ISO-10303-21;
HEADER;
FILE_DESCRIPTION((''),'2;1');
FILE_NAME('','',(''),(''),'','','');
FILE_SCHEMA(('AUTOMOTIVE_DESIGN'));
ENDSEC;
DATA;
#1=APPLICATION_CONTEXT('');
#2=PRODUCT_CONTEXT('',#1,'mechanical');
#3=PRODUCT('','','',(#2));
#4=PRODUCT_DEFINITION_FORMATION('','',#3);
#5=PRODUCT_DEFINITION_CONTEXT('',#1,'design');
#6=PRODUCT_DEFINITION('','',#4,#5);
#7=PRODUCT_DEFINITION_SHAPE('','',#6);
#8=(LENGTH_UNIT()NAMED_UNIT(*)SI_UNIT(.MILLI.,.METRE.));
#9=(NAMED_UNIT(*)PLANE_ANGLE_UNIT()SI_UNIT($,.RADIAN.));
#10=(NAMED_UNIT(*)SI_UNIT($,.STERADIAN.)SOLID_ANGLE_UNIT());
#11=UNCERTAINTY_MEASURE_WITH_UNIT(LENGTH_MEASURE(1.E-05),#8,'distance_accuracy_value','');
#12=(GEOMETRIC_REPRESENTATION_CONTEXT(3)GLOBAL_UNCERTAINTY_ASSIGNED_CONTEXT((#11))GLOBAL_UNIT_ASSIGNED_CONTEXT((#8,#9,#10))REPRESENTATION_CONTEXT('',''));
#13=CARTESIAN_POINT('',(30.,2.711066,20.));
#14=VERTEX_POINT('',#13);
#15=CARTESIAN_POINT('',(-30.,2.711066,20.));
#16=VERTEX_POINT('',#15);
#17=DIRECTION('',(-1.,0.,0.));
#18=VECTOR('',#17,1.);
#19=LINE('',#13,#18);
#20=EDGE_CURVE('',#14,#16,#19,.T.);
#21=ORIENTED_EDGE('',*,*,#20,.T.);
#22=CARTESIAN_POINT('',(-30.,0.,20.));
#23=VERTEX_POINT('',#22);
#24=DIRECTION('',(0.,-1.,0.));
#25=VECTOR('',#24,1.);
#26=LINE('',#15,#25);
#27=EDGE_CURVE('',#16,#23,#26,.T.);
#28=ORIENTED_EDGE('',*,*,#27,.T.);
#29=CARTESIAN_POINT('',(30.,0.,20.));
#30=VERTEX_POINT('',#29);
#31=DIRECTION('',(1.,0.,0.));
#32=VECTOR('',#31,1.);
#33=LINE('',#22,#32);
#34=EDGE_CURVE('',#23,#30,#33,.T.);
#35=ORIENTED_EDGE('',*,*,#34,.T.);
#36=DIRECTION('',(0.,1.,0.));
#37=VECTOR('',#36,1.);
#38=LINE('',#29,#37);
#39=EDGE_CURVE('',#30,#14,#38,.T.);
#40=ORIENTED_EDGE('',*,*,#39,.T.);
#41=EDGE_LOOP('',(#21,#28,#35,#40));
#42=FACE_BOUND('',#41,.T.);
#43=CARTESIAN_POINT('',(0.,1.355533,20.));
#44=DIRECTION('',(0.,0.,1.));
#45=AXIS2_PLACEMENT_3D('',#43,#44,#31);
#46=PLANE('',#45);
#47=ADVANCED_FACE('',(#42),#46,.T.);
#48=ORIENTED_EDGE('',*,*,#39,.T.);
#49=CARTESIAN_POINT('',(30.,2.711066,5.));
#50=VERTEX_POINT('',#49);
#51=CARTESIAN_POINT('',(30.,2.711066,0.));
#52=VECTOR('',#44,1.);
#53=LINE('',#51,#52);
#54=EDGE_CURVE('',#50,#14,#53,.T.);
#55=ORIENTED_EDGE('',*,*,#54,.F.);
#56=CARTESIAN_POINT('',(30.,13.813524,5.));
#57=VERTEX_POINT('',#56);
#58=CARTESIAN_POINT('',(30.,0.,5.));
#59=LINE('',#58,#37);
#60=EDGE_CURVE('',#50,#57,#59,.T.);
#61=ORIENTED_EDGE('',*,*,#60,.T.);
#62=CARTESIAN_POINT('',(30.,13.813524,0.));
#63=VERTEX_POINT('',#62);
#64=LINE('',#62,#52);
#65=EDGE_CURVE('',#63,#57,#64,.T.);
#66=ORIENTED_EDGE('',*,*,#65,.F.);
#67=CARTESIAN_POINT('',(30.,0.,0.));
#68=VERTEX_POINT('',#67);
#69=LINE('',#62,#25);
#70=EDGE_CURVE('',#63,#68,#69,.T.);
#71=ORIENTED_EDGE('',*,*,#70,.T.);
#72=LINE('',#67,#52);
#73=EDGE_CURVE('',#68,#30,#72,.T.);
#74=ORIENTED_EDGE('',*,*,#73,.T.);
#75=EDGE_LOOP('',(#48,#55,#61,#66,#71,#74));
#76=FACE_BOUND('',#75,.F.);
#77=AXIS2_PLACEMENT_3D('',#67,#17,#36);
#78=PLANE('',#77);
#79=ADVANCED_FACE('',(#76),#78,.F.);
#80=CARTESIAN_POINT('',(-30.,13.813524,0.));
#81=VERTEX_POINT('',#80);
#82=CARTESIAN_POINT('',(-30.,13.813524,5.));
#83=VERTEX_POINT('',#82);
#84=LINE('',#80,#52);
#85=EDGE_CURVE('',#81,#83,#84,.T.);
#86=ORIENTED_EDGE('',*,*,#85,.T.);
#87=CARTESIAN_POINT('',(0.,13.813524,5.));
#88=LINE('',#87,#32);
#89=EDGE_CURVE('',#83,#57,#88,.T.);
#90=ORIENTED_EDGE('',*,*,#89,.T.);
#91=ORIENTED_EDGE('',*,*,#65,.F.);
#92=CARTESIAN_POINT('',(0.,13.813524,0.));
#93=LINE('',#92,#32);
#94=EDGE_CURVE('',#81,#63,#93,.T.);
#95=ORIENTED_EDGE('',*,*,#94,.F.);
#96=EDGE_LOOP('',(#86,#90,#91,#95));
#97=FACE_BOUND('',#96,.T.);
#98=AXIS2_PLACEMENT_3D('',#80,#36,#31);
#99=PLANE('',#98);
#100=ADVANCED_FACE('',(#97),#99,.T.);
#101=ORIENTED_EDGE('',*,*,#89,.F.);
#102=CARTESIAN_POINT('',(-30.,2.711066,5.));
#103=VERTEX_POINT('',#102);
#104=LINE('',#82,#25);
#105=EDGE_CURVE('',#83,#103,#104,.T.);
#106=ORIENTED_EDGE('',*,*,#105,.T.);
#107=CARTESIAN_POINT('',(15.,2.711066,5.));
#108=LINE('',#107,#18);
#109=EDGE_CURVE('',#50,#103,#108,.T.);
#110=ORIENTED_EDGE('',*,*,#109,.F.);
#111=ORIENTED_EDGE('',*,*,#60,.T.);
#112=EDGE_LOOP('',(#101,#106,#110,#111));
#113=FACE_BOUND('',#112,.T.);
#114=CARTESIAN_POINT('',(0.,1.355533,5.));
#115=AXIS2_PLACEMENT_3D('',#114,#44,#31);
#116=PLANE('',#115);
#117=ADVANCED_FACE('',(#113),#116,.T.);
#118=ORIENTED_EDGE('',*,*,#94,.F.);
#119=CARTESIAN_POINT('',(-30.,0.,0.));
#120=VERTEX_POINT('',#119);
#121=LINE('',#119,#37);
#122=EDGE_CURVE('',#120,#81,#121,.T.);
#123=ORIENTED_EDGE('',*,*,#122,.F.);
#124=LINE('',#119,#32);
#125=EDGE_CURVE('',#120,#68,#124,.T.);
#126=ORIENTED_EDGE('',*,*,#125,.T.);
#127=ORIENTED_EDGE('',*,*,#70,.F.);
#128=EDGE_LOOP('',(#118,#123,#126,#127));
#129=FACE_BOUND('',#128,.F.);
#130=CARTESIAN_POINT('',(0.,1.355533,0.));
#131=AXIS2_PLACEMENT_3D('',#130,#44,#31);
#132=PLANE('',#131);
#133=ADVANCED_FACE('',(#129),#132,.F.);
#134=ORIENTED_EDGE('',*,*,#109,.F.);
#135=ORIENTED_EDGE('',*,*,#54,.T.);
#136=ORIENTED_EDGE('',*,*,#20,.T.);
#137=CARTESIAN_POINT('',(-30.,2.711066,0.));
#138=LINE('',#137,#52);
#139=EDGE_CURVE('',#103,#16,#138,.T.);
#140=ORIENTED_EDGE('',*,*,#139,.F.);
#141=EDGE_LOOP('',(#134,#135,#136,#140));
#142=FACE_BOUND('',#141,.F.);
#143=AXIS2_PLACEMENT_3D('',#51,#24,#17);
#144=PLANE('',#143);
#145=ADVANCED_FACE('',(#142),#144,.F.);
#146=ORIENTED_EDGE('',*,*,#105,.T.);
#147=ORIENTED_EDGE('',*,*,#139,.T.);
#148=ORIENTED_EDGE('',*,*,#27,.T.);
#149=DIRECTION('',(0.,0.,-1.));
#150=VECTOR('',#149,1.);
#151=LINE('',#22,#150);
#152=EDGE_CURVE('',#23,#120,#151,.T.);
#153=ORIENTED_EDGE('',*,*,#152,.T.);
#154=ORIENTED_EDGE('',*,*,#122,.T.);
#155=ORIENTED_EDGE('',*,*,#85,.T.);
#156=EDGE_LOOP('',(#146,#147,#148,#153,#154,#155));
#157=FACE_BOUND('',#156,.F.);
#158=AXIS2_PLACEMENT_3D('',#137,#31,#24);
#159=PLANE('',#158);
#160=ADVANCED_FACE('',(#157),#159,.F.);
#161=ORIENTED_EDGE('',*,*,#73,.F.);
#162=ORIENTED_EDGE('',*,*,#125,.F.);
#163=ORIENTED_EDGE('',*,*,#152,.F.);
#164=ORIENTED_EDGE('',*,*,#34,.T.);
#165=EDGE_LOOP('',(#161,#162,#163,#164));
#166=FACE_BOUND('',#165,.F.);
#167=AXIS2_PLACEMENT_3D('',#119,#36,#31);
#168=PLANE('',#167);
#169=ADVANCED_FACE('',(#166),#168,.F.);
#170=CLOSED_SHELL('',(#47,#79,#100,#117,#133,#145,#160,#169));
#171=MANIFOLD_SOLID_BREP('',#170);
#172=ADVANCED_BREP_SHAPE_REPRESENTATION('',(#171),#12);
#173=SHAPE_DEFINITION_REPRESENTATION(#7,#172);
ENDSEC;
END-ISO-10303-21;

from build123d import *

# Parameters (mm, degrees)
F1_DEPTH = 20
F0_W     = 60
F0_H     = 11.102459
F2_DEPTH = 5


with BuildPart() as f1:
    # F0 (on Top) → F1 (new body)
    with BuildSketch(Plane.XY):
        Polygon((-30, 0), (0, 0), (30, 0), (30, 2.711066), (-30, 2.711066), align=None)
    extrude(amount=F1_DEPTH)

    # F0 (on Top) → F2 (join)
    with BuildSketch(Plane.XY):
        Polygon((-30, 0), (0, 0), (30, 0), (30, 2.711066), (-30, 2.711066), align=None)
        with Locations((0, 8.262295)):
            Rectangle(F0_W, F0_H)
    extrude(amount=F2_DEPTH)


solid = f1.part
